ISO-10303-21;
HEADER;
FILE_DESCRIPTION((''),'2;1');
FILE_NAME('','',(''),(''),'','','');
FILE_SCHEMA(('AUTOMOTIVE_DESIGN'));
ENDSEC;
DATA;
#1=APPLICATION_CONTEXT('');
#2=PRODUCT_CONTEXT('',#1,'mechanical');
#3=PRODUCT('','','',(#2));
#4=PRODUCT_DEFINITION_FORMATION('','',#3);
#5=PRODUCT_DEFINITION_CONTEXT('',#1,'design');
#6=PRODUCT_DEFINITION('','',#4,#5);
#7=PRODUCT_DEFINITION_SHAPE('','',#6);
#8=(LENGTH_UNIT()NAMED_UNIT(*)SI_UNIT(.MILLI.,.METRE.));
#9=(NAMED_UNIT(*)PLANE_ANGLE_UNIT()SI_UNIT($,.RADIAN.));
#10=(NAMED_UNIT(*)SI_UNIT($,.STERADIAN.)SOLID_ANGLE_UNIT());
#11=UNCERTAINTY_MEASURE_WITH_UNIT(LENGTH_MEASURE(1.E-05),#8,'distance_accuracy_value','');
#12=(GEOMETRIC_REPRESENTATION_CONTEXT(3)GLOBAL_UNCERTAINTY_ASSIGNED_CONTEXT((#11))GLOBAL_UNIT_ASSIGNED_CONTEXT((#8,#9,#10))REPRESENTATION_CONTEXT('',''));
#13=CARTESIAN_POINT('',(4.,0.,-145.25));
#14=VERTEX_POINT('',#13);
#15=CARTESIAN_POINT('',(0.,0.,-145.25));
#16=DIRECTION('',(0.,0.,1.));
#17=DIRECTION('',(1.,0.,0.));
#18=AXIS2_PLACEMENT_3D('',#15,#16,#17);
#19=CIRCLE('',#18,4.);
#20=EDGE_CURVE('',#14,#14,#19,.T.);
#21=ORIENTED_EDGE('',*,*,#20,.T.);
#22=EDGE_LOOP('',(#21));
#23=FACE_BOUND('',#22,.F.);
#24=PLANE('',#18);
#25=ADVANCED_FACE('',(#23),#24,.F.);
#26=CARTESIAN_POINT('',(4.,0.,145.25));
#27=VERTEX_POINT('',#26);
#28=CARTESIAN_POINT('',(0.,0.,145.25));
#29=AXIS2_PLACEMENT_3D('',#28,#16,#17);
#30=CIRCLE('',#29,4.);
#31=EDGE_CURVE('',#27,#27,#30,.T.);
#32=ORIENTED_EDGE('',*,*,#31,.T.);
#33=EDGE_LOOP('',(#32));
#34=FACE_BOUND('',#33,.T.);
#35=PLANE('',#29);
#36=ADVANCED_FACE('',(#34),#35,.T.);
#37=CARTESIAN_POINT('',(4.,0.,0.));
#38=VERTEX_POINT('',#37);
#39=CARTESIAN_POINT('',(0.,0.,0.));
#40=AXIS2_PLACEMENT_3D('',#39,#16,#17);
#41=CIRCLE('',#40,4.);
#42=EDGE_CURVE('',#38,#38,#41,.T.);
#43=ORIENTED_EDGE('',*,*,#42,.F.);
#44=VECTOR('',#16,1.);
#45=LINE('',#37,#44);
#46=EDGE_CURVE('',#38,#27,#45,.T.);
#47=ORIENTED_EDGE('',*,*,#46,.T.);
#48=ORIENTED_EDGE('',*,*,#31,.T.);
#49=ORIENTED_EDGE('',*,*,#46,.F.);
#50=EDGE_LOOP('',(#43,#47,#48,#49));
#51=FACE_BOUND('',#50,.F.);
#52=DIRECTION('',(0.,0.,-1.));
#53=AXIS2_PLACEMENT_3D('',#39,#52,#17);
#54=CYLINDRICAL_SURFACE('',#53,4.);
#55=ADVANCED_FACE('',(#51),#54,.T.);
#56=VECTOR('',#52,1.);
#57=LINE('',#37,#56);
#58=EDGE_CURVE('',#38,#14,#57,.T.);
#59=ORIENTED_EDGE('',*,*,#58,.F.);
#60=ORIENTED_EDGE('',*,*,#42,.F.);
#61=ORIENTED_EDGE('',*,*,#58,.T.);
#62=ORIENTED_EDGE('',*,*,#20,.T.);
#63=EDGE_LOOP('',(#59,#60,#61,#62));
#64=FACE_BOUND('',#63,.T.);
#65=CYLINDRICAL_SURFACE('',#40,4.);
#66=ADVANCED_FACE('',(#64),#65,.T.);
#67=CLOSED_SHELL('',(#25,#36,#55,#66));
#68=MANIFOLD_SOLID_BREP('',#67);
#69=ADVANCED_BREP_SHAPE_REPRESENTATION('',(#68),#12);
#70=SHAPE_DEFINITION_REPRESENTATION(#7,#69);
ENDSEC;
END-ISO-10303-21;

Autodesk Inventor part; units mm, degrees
ref_plane "YZ Plane" through (0, 0, 0) normal (1, 0, 0) x (0, 1, 0)
ref_plane "XZ Plane" through (0, 0, 0) normal (0, 1, 0) x (-1, 0, 0)
ref_plane "XY Plane" through (0, 0, 0) normal (0, 0, 1) x (1, 0, 0)
sketch "Sketch1" plane through (0, 0, 0) normal (0, 0, 1) x (1, 0, 0)
  circle A0 centre (0, 0) radius 4
  dimension "d0" = 8
extrude "Længde" add sketch "Sketch1" along normal mid plane 290.5
properties part number "X-Akse til glider"
